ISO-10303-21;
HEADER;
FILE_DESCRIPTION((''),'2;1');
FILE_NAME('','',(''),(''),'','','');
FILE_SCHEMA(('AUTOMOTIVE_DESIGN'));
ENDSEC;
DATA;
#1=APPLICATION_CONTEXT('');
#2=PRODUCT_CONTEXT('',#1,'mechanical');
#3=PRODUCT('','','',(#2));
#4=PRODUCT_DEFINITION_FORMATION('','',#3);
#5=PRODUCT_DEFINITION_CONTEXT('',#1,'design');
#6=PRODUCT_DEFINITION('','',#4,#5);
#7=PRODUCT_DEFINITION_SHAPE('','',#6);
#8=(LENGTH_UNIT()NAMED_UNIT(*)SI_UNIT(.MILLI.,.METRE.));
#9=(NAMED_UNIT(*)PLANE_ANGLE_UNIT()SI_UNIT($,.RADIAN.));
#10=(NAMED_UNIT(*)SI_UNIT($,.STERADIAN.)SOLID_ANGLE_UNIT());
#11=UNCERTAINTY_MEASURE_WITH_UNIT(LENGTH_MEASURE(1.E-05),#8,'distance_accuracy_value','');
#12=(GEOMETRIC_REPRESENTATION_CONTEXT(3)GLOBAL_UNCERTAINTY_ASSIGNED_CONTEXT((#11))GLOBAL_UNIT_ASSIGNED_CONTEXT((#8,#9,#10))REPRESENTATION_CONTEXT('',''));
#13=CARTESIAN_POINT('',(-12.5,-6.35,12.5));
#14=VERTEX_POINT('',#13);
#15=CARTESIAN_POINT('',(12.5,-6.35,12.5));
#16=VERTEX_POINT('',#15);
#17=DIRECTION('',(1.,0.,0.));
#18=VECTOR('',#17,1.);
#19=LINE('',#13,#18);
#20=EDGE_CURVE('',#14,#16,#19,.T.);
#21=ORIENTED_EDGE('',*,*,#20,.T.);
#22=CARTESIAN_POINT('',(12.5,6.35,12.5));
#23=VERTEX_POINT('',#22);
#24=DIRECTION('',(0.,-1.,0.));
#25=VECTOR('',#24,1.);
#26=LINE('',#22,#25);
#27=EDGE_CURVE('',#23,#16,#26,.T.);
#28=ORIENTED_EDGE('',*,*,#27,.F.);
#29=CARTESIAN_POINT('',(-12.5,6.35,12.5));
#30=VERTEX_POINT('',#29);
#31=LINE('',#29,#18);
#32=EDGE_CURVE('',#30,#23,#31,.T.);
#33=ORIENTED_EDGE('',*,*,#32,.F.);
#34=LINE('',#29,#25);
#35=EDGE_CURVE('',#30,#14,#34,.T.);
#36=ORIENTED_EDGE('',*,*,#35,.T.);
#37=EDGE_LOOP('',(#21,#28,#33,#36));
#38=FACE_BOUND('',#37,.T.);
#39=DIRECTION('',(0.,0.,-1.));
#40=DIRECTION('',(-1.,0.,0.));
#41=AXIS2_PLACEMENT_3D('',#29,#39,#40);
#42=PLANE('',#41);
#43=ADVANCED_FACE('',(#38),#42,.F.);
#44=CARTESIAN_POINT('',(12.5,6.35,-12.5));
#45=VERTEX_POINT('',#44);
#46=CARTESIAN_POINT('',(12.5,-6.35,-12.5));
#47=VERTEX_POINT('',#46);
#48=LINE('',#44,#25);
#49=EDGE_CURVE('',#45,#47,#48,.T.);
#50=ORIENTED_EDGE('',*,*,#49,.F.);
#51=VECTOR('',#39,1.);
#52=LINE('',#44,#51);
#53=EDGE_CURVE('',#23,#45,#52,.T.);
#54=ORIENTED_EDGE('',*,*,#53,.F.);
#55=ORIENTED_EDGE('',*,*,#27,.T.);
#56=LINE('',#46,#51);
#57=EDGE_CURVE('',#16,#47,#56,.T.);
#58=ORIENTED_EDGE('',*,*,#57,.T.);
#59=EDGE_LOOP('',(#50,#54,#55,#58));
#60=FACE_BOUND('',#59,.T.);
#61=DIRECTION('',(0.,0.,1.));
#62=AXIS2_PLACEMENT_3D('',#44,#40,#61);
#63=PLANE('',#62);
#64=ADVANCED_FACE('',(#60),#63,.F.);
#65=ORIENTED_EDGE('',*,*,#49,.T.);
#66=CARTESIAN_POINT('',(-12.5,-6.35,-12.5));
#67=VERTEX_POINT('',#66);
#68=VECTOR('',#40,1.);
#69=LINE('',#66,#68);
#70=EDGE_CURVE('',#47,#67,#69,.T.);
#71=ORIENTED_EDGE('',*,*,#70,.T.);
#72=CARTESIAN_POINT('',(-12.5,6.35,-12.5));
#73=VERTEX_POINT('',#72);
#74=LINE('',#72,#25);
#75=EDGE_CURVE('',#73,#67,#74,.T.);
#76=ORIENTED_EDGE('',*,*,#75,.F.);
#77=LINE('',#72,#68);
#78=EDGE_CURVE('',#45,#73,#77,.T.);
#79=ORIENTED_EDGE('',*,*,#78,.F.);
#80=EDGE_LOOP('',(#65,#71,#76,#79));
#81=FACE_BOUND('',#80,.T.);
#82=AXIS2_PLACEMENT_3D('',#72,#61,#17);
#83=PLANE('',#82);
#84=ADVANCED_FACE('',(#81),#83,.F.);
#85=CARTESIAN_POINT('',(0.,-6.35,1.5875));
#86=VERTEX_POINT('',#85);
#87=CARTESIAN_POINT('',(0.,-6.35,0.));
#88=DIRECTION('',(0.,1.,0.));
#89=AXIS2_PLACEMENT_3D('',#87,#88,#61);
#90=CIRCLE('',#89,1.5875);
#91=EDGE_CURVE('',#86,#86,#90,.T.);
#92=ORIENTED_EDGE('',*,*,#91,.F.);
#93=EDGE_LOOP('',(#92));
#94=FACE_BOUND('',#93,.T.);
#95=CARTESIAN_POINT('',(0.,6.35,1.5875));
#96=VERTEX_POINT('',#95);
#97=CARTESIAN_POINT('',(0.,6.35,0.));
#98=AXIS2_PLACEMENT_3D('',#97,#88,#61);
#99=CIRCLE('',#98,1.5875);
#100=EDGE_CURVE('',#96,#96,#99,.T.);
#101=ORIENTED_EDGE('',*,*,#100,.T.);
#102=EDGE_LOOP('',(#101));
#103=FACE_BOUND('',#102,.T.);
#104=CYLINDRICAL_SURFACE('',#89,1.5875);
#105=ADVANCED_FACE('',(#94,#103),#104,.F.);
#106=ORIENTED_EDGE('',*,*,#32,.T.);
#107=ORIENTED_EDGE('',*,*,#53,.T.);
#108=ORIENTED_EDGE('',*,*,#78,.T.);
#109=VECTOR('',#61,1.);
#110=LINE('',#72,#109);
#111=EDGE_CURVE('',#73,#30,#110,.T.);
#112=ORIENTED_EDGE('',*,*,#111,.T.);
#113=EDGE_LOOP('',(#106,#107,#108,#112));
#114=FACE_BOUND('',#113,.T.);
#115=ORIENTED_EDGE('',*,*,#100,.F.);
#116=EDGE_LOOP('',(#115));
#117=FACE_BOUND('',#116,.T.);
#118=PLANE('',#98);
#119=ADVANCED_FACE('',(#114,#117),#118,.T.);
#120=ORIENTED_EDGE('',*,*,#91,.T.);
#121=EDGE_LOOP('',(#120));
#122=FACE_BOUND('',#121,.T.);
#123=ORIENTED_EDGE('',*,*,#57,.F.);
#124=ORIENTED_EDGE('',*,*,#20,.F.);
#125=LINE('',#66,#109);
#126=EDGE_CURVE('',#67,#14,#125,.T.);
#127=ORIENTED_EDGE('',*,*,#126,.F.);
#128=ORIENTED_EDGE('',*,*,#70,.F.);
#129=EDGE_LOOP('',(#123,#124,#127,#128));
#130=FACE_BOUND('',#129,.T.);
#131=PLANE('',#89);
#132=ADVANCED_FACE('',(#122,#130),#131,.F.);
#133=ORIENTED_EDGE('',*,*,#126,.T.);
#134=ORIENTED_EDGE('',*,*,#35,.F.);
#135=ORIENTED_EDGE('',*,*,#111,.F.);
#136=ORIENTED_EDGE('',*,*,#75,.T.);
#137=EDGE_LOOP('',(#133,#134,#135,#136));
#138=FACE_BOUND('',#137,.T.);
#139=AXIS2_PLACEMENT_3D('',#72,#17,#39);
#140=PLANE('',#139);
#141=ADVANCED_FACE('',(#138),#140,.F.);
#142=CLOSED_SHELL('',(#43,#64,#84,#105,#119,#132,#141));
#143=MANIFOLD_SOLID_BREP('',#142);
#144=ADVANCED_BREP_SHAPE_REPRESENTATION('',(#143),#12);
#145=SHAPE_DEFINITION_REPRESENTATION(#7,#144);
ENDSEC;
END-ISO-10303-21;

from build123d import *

# Parameters (mm, degrees)
SKETCH1_W           = 25
SKETCH1_H           = 25
BOSS_EXTRUDE1_DEPTH = 6.35
SKETCH2_R           = 1.5875
HOLE_DEPTH          = 22.766717713


with BuildPart() as part:
    # Sketch1 → Boss-Extrude1 (new, symmetric)
    with BuildSketch(Plane(origin=(0, 0, 0), x_dir=(1, 0, 0), z_dir=(0, 1, 0))):
        Rectangle(SKETCH1_W, SKETCH1_H)
    extrude(amount=BOSS_EXTRUDE1_DEPTH, both=True)

    # Sketch2 → Hole (cut, through all)
    with BuildSketch(Plane(origin=(0, 6.35, 0), x_dir=(1, 0, 0), z_dir=(0, 1, 0))):
        with Locations(Location((0, 0, 0), (0, 0, 270))):
            Circle(SKETCH2_R)
    extrude(amount=-HOLE_DEPTH, mode=Mode.SUBTRACT)


solid = part.part
